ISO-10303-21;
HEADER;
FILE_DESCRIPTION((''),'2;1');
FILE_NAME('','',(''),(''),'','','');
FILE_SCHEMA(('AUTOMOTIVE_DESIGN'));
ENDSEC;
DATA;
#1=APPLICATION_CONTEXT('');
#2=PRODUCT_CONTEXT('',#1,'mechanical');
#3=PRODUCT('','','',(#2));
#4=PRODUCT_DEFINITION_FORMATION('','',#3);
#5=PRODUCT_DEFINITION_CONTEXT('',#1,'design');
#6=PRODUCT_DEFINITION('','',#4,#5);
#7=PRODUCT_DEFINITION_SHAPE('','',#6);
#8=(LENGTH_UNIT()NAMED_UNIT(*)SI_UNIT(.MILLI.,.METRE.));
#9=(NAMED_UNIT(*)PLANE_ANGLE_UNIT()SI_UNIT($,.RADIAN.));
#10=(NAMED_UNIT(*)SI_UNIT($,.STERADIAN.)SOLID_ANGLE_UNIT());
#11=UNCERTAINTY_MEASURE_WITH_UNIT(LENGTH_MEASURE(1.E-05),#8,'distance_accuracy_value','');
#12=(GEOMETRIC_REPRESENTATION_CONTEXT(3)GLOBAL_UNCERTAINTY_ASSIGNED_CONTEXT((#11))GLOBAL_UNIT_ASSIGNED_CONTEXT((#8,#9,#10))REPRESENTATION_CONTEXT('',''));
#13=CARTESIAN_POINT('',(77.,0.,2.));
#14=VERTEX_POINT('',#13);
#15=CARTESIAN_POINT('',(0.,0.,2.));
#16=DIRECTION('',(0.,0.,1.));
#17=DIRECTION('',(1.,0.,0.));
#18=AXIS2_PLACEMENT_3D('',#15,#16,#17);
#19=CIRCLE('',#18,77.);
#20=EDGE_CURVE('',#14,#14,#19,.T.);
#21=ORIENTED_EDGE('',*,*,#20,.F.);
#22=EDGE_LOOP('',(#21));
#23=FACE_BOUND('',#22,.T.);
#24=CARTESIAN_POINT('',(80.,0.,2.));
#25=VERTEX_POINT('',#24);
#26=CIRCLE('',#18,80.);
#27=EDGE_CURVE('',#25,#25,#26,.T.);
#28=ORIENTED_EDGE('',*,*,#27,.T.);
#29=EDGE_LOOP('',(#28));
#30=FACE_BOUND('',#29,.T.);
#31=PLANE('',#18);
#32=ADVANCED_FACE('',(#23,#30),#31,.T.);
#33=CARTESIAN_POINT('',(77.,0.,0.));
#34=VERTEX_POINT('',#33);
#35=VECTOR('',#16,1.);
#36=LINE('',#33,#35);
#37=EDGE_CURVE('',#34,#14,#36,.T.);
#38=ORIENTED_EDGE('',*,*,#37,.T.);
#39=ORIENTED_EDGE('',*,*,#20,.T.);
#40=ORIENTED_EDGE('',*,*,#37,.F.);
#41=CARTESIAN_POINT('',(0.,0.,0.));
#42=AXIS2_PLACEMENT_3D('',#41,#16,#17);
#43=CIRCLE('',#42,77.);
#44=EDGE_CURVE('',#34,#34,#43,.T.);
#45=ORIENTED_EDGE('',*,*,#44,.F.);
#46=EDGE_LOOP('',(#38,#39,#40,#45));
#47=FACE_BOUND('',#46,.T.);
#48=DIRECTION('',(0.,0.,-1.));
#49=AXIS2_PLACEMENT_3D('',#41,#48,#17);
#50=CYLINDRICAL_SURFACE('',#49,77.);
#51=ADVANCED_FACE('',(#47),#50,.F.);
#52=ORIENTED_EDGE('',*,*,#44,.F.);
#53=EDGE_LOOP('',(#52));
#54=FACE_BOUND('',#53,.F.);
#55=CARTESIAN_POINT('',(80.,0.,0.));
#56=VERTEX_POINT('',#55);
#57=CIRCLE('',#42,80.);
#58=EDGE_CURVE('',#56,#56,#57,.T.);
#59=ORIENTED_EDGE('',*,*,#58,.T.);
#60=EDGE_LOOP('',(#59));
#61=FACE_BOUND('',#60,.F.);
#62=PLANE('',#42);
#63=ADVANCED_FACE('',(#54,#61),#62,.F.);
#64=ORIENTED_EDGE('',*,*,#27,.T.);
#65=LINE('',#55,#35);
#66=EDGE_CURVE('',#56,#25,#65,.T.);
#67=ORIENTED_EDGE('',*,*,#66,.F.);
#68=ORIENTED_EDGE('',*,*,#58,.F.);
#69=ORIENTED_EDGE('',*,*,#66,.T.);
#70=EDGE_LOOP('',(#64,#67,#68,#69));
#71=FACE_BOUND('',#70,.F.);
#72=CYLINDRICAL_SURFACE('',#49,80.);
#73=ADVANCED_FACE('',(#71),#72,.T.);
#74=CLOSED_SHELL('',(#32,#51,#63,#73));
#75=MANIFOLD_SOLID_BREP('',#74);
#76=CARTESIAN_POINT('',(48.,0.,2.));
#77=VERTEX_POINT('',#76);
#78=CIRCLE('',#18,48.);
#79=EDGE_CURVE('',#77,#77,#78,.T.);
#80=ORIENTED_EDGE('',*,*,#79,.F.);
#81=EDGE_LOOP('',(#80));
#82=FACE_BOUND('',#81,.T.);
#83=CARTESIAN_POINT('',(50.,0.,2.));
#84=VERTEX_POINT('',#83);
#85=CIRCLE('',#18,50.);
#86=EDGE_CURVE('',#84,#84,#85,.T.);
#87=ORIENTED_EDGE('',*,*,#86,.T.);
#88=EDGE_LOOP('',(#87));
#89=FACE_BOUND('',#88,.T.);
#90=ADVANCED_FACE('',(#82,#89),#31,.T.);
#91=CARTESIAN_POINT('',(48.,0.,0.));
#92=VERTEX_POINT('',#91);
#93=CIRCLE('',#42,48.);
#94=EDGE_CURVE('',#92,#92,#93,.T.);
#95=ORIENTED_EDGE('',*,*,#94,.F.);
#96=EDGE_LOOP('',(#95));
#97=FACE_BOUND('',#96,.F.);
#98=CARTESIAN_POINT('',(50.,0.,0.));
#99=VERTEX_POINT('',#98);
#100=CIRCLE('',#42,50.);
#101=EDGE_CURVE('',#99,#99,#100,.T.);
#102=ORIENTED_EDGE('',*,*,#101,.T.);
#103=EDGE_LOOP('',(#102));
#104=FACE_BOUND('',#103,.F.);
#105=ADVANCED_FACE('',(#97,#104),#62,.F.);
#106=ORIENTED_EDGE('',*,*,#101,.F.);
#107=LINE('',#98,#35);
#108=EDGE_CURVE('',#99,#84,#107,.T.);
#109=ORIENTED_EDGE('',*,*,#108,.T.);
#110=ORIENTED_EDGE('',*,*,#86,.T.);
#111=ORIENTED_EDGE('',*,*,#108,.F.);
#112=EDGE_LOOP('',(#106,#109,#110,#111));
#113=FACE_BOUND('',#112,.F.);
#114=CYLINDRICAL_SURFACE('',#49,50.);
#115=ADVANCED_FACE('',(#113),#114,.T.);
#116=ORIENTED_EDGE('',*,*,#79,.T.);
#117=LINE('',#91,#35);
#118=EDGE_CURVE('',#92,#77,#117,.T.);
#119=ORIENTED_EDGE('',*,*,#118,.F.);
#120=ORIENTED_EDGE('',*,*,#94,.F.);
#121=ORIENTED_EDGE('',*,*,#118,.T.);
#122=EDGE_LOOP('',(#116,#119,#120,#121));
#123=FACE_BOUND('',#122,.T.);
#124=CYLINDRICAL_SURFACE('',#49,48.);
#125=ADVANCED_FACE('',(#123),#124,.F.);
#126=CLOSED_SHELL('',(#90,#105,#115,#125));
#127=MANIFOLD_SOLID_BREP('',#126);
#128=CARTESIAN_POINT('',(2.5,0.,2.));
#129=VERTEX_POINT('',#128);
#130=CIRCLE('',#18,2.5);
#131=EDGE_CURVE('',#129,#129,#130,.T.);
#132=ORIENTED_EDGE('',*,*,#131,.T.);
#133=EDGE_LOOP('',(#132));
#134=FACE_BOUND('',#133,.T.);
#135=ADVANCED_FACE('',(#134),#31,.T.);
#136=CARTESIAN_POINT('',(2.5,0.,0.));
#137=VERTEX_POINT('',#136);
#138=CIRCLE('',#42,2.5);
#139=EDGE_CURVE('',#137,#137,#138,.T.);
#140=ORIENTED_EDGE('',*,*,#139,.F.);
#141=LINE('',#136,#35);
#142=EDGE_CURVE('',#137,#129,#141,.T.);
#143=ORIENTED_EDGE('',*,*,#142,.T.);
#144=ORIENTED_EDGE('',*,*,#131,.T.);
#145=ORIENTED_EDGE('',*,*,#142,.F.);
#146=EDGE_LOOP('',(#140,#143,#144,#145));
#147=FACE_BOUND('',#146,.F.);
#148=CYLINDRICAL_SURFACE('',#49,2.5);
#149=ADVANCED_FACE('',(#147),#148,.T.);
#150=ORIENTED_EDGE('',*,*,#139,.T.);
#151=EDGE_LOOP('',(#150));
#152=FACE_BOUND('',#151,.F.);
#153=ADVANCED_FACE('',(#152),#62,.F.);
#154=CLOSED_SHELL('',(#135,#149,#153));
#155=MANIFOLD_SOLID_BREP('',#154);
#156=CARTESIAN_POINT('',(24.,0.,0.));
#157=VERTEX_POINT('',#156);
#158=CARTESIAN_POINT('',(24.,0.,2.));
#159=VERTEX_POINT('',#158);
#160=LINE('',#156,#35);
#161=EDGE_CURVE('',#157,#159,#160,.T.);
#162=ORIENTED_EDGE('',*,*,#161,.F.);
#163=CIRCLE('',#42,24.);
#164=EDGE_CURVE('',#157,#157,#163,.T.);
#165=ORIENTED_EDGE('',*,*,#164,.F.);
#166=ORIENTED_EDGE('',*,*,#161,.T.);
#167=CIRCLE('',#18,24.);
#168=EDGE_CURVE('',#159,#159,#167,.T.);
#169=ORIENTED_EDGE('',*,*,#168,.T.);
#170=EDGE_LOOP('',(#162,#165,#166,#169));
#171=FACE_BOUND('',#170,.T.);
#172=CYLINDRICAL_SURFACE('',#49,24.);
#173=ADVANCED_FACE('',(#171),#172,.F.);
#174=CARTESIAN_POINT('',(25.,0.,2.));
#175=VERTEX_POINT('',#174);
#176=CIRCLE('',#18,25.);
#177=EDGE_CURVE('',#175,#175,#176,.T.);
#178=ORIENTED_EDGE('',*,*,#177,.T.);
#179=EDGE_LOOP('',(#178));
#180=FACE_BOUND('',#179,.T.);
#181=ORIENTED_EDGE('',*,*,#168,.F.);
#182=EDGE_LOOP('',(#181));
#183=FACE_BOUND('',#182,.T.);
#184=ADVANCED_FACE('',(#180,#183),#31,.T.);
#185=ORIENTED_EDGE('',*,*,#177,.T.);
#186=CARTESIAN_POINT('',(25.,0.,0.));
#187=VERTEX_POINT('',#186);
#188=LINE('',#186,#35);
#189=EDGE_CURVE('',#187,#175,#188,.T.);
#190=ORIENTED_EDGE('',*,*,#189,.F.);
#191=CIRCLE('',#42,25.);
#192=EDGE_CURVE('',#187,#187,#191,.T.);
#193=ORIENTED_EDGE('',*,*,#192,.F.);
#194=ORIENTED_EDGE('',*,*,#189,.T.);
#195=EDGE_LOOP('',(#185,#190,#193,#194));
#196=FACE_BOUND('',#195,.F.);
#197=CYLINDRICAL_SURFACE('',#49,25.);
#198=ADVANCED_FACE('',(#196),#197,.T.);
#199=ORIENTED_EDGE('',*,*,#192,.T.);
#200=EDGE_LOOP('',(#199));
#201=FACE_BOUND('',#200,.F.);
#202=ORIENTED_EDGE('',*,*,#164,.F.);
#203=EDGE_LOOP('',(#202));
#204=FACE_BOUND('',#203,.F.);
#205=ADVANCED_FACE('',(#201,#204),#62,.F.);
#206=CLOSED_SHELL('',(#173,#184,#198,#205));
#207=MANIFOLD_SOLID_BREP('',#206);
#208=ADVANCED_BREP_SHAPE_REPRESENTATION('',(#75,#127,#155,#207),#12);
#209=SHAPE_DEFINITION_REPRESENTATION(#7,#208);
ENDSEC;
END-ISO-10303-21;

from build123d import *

# Parameters (mm, degrees)
F0_R     = 50
F0_R_2   = 48
F1_DEPTH = 2
F0_R_3   = 80
F0_R_4   = 77
F0_R_5   = 25
F0_R_6   = 24
F0_R_7   = 2.5


with BuildPart() as f1:
    # F0 (on Top) → F1 (new body)
    with BuildSketch(Plane.XY):
        Circle(F0_R)
        Circle(F0_R_2, mode=Mode.SUBTRACT)
    extrude(amount=F1_DEPTH)


with BuildPart() as f1b:
    # F0 (on Top) → F1, piece 2 (new body)
    with BuildSketch(Plane.XY):
        Circle(F0_R_3)
        Circle(F0_R_4, mode=Mode.SUBTRACT)
    extrude(amount=F1_DEPTH)


with BuildPart() as f1c:
    # F0 (on Top) → F1, piece 3 (new body)
    with BuildSketch(Plane.XY):
        Circle(F0_R_5)
        Circle(F0_R_6, mode=Mode.SUBTRACT)
    extrude(amount=F1_DEPTH)


with BuildPart() as f1d:
    # F0 (on Top) → F1, piece 4 (new body)
    with BuildSketch(Plane.XY):
        Circle(F0_R_7)
    extrude(amount=F1_DEPTH)


solid = Compound([f1.part, f1b.part, f1c.part, f1d.part])
